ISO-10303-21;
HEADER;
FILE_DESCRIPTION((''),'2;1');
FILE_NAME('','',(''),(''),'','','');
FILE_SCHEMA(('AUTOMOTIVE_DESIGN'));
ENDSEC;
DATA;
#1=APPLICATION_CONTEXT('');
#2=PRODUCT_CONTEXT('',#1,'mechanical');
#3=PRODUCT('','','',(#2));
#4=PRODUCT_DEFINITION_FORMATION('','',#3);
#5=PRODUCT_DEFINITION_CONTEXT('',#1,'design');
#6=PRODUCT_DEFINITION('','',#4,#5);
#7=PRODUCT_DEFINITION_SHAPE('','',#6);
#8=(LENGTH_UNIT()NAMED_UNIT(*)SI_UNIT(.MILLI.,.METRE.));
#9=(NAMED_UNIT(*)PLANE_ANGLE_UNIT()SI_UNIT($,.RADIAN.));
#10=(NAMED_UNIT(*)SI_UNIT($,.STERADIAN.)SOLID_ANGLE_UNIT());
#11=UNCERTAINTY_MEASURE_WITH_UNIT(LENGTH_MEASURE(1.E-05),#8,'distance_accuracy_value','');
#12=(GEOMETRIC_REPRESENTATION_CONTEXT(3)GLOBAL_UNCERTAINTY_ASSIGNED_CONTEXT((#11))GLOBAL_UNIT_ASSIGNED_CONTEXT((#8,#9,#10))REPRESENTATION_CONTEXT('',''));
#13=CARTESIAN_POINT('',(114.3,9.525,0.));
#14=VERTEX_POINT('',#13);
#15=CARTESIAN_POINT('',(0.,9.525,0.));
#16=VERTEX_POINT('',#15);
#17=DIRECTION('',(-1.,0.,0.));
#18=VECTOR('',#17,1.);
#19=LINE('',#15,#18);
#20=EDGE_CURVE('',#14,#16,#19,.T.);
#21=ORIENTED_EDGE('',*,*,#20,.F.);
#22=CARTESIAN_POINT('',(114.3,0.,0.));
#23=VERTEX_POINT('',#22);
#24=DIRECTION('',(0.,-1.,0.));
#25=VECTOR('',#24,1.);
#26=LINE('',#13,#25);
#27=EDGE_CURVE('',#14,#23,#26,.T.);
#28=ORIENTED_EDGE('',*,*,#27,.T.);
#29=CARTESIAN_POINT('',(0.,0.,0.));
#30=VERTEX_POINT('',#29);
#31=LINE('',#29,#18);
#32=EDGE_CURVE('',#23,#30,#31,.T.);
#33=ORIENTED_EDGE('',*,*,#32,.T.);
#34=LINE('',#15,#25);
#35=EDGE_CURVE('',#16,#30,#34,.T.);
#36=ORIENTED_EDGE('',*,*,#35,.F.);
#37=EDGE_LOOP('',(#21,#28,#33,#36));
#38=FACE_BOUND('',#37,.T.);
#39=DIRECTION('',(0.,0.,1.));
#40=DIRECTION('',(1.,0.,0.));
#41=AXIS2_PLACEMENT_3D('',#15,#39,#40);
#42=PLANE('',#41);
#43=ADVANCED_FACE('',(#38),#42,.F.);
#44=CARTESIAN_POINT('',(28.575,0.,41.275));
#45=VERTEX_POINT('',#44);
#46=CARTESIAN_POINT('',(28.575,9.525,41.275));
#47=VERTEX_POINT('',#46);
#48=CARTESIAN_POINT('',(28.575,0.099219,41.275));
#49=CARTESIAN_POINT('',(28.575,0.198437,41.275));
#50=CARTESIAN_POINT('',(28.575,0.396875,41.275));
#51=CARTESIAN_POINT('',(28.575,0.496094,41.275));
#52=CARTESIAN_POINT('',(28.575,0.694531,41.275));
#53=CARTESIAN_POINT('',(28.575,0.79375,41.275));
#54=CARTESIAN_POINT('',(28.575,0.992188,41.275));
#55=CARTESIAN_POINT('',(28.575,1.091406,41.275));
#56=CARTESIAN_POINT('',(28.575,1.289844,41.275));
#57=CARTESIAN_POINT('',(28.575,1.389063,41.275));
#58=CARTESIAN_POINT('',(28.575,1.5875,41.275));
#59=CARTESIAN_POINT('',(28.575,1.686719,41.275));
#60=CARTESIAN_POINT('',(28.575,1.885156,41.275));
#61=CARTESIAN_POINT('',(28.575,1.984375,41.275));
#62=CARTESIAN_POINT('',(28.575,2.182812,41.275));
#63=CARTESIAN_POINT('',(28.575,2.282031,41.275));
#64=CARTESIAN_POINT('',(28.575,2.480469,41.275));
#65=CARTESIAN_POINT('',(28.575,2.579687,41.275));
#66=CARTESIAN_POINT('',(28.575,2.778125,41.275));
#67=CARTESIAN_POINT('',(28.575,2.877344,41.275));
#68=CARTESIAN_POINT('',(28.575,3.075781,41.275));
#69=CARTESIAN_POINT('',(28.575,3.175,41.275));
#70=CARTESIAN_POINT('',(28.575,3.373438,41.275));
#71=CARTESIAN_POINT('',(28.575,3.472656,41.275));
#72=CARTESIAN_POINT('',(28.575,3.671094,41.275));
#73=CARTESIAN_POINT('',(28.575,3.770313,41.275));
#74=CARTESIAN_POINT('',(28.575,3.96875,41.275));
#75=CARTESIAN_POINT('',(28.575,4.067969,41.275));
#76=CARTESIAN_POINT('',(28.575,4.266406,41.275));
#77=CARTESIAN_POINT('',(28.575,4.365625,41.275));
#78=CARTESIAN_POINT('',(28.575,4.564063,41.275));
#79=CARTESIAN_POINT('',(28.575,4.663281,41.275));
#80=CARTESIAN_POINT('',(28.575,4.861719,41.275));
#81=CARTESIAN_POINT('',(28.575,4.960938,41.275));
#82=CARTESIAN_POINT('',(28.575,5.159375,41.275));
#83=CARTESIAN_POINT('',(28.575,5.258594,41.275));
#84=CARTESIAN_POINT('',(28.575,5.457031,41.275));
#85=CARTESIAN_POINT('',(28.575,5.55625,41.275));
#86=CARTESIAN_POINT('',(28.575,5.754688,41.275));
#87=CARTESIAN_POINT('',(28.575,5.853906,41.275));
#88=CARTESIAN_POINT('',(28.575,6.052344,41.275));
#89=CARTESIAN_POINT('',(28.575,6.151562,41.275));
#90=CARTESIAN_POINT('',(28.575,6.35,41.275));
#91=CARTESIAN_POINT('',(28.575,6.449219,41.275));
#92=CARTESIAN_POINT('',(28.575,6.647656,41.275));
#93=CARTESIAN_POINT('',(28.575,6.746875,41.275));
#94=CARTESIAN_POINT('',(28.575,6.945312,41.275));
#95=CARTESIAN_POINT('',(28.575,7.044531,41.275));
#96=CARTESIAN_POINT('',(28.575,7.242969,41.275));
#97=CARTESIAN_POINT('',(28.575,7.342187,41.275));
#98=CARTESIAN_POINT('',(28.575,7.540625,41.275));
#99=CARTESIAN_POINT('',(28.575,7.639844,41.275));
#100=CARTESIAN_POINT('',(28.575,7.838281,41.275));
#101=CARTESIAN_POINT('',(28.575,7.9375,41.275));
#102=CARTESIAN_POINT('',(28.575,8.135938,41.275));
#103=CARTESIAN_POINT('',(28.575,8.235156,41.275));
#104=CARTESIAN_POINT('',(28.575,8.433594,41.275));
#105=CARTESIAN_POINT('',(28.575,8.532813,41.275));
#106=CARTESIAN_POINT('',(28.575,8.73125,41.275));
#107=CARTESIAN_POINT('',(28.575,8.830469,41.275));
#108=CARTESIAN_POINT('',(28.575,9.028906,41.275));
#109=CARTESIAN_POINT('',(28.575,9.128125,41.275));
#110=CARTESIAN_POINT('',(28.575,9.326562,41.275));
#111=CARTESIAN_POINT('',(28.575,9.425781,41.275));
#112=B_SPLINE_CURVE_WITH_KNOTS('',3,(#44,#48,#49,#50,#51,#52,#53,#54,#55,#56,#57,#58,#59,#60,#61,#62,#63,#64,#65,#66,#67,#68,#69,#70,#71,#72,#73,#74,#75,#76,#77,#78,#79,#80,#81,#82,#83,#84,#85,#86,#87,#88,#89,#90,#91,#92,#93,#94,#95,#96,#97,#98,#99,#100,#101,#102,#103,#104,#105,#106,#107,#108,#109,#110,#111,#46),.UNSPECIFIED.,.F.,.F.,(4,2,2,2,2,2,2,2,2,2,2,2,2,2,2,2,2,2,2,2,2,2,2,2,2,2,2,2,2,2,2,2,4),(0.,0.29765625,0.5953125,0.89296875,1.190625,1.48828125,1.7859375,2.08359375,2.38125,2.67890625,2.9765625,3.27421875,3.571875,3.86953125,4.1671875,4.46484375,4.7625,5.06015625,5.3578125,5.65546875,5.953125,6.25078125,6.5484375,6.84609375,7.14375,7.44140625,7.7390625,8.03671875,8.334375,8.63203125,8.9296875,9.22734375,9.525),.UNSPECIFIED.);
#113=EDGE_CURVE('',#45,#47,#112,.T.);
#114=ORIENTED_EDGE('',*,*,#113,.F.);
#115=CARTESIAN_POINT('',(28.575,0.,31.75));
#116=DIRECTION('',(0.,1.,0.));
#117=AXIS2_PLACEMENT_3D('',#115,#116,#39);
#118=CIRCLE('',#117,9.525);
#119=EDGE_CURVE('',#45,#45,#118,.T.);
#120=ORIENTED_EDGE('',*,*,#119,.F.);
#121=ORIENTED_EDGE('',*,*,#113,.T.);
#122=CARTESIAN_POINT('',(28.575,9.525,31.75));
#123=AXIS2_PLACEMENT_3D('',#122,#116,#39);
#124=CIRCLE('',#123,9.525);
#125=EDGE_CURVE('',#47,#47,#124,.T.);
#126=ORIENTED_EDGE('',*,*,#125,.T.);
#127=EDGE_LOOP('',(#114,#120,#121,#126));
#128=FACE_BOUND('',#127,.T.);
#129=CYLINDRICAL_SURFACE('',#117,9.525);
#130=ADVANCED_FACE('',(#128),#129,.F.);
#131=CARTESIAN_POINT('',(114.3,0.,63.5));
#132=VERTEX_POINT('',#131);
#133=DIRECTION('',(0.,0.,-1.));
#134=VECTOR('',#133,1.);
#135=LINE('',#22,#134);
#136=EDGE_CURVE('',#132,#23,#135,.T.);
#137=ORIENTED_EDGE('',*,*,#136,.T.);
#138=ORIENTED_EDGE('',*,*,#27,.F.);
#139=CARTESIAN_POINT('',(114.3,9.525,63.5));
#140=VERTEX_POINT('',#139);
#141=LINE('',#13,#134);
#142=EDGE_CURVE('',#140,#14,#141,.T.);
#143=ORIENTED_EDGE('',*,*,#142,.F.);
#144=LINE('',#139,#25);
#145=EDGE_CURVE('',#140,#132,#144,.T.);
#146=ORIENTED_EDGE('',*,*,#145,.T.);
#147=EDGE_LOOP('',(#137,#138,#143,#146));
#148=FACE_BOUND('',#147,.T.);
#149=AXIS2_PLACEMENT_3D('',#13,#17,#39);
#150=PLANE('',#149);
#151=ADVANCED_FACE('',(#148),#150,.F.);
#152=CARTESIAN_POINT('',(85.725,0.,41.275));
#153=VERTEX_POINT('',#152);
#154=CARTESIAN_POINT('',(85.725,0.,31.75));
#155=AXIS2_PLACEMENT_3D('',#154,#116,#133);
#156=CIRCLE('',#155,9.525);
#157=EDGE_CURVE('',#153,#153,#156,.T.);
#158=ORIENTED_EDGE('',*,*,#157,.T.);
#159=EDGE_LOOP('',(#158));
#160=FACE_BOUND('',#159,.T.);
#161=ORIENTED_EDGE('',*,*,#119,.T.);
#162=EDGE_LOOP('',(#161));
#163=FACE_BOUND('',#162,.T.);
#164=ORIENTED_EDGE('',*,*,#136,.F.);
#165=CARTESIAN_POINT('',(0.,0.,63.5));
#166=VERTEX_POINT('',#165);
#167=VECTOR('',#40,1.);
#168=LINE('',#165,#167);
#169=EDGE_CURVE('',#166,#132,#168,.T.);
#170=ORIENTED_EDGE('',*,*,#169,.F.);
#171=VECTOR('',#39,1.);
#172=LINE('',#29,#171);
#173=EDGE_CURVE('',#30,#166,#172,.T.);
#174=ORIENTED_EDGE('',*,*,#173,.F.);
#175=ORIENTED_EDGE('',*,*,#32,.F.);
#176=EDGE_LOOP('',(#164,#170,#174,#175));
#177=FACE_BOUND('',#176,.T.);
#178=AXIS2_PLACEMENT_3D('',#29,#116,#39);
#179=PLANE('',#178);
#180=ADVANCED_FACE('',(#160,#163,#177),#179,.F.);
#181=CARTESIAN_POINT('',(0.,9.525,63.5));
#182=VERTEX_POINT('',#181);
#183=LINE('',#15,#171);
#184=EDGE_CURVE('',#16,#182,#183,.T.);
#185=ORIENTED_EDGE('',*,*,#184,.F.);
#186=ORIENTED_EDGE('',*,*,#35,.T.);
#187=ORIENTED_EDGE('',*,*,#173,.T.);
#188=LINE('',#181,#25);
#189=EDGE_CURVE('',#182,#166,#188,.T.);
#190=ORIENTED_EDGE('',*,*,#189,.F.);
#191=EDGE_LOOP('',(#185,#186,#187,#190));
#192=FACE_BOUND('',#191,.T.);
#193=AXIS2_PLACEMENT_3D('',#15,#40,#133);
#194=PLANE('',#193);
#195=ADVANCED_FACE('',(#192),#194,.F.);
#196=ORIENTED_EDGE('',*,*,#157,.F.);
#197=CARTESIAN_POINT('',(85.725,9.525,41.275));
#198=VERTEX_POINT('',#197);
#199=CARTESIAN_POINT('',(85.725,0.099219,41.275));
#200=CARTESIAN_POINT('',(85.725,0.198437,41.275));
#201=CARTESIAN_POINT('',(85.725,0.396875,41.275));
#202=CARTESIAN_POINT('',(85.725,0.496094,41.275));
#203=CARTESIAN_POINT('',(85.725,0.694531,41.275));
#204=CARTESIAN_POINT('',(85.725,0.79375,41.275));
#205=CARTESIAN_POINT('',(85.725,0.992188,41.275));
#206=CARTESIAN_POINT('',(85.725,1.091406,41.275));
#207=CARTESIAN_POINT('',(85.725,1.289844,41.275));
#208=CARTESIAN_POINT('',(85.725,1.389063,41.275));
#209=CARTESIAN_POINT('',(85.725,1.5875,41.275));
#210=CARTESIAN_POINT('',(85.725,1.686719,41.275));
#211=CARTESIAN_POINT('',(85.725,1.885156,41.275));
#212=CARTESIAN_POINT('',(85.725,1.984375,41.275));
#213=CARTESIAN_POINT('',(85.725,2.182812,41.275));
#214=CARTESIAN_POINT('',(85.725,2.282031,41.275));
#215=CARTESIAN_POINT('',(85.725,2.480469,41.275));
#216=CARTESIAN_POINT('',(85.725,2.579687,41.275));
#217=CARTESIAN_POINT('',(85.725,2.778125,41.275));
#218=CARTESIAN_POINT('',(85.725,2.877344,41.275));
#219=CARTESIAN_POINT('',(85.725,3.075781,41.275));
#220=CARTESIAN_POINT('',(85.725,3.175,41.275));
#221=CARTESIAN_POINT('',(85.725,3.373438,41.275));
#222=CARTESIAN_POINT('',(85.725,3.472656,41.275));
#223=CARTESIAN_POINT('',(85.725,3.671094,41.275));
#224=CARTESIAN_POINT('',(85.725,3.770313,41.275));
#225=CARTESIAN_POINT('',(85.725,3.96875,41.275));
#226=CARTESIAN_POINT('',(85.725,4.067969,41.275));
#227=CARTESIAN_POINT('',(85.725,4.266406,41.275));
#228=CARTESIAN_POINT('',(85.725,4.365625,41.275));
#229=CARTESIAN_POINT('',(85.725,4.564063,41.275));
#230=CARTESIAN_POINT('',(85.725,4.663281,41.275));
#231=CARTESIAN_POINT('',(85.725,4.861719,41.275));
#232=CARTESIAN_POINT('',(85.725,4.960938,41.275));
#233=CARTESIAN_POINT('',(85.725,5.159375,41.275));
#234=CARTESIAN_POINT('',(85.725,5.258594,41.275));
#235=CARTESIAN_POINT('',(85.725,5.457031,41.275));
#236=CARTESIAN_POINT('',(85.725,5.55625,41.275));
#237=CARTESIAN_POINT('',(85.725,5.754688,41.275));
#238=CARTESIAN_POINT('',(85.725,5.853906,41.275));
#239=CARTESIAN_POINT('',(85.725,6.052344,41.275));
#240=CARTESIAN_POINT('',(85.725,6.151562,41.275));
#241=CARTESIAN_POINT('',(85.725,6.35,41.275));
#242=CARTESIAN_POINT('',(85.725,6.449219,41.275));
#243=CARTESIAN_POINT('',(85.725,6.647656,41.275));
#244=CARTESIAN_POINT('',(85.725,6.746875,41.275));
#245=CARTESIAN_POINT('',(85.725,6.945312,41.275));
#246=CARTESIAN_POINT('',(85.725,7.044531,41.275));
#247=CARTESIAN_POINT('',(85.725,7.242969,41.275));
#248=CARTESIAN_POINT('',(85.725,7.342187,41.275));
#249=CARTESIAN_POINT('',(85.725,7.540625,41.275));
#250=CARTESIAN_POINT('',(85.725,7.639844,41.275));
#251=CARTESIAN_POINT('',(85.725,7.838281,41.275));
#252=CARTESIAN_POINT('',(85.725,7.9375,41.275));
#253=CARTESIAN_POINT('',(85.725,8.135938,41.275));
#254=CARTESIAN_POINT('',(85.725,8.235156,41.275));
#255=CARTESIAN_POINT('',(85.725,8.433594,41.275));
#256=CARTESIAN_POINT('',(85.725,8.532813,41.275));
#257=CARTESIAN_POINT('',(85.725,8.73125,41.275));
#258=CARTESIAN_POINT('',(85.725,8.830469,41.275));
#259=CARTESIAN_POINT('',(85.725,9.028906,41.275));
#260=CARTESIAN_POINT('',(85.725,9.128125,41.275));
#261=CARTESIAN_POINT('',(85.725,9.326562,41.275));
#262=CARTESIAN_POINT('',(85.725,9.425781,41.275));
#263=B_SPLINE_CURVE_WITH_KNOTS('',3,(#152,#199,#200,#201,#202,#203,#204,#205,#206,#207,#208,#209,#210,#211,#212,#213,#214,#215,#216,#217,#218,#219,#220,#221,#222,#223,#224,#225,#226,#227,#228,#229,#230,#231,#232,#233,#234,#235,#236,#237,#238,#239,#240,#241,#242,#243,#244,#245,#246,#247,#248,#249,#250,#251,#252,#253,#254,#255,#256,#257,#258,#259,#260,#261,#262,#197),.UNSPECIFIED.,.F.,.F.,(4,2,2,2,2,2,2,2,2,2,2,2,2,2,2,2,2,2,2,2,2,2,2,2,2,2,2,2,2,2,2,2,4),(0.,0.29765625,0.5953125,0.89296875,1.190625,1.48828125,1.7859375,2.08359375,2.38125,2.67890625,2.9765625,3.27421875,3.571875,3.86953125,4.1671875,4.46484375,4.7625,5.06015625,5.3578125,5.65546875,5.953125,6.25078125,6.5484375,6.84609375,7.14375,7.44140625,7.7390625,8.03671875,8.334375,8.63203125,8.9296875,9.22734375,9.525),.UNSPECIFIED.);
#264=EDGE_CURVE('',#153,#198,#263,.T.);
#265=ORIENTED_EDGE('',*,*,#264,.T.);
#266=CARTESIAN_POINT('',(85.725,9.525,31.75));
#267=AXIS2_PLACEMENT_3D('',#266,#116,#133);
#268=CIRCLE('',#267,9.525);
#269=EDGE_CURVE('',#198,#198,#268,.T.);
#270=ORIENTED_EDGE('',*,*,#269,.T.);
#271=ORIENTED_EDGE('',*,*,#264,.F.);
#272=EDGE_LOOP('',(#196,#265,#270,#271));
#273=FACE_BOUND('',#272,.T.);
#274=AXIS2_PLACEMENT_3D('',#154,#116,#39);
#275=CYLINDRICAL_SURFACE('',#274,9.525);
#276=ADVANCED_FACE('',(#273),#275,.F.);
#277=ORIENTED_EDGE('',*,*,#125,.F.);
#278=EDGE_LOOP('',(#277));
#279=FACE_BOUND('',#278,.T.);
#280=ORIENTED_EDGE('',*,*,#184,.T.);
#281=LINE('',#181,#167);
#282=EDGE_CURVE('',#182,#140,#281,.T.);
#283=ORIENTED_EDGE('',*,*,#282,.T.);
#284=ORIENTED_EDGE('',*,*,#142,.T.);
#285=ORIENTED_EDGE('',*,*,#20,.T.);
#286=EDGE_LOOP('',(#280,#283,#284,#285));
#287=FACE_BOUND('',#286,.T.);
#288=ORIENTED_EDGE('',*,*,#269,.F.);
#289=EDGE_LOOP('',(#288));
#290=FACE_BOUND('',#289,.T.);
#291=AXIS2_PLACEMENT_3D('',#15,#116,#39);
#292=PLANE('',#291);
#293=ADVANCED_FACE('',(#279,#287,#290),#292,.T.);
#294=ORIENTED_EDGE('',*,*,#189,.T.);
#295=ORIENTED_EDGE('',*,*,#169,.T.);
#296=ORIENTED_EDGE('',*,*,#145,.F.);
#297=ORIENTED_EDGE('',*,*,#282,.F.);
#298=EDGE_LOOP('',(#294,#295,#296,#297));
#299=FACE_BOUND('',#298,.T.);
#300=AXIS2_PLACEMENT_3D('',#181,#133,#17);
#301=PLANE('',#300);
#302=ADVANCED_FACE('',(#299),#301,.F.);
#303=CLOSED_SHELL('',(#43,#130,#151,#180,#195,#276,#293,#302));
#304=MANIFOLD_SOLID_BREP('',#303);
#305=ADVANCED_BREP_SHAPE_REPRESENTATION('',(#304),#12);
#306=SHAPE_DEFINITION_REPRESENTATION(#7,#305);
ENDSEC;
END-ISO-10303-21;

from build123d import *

# Parameters (mm, degrees)
CROQUIS2_W              = 114.3
CROQUIS2_H              = 63.5
SALIENTE_EXTRUIR1_DEPTH = 9.525
CROQUIS3_R              = 9.525
CORTAR_EXTRUIR1_DEPTH   = 9.525


with BuildPart() as part:
    # Croquis2 → Saliente-Extruir1 (new body)
    with BuildSketch(Plane(origin=(0, 0, 0), x_dir=(1, 0, 0), z_dir=(0, 1, 0))):
        with Locations((57.15, -31.75)):
            Rectangle(CROQUIS2_W, CROQUIS2_H)
    extrude(amount=SALIENTE_EXTRUIR1_DEPTH)

    # Croquis3 → Cortar-Extruir1 (cut)
    with BuildSketch(Plane(origin=(0, 9.525, 0), x_dir=(1, 0, 0), z_dir=(0, 1, 0))):
        with Locations(Location((28.575, -31.75, 0), (0, 0, 270))):
            Circle(CROQUIS3_R)
        with Locations(Location((85.725, -31.75, 0), (0, 0, 270))):
            Circle(CROQUIS3_R)
    extrude(amount=-CORTAR_EXTRUIR1_DEPTH, mode=Mode.SUBTRACT)


solid = part.part
